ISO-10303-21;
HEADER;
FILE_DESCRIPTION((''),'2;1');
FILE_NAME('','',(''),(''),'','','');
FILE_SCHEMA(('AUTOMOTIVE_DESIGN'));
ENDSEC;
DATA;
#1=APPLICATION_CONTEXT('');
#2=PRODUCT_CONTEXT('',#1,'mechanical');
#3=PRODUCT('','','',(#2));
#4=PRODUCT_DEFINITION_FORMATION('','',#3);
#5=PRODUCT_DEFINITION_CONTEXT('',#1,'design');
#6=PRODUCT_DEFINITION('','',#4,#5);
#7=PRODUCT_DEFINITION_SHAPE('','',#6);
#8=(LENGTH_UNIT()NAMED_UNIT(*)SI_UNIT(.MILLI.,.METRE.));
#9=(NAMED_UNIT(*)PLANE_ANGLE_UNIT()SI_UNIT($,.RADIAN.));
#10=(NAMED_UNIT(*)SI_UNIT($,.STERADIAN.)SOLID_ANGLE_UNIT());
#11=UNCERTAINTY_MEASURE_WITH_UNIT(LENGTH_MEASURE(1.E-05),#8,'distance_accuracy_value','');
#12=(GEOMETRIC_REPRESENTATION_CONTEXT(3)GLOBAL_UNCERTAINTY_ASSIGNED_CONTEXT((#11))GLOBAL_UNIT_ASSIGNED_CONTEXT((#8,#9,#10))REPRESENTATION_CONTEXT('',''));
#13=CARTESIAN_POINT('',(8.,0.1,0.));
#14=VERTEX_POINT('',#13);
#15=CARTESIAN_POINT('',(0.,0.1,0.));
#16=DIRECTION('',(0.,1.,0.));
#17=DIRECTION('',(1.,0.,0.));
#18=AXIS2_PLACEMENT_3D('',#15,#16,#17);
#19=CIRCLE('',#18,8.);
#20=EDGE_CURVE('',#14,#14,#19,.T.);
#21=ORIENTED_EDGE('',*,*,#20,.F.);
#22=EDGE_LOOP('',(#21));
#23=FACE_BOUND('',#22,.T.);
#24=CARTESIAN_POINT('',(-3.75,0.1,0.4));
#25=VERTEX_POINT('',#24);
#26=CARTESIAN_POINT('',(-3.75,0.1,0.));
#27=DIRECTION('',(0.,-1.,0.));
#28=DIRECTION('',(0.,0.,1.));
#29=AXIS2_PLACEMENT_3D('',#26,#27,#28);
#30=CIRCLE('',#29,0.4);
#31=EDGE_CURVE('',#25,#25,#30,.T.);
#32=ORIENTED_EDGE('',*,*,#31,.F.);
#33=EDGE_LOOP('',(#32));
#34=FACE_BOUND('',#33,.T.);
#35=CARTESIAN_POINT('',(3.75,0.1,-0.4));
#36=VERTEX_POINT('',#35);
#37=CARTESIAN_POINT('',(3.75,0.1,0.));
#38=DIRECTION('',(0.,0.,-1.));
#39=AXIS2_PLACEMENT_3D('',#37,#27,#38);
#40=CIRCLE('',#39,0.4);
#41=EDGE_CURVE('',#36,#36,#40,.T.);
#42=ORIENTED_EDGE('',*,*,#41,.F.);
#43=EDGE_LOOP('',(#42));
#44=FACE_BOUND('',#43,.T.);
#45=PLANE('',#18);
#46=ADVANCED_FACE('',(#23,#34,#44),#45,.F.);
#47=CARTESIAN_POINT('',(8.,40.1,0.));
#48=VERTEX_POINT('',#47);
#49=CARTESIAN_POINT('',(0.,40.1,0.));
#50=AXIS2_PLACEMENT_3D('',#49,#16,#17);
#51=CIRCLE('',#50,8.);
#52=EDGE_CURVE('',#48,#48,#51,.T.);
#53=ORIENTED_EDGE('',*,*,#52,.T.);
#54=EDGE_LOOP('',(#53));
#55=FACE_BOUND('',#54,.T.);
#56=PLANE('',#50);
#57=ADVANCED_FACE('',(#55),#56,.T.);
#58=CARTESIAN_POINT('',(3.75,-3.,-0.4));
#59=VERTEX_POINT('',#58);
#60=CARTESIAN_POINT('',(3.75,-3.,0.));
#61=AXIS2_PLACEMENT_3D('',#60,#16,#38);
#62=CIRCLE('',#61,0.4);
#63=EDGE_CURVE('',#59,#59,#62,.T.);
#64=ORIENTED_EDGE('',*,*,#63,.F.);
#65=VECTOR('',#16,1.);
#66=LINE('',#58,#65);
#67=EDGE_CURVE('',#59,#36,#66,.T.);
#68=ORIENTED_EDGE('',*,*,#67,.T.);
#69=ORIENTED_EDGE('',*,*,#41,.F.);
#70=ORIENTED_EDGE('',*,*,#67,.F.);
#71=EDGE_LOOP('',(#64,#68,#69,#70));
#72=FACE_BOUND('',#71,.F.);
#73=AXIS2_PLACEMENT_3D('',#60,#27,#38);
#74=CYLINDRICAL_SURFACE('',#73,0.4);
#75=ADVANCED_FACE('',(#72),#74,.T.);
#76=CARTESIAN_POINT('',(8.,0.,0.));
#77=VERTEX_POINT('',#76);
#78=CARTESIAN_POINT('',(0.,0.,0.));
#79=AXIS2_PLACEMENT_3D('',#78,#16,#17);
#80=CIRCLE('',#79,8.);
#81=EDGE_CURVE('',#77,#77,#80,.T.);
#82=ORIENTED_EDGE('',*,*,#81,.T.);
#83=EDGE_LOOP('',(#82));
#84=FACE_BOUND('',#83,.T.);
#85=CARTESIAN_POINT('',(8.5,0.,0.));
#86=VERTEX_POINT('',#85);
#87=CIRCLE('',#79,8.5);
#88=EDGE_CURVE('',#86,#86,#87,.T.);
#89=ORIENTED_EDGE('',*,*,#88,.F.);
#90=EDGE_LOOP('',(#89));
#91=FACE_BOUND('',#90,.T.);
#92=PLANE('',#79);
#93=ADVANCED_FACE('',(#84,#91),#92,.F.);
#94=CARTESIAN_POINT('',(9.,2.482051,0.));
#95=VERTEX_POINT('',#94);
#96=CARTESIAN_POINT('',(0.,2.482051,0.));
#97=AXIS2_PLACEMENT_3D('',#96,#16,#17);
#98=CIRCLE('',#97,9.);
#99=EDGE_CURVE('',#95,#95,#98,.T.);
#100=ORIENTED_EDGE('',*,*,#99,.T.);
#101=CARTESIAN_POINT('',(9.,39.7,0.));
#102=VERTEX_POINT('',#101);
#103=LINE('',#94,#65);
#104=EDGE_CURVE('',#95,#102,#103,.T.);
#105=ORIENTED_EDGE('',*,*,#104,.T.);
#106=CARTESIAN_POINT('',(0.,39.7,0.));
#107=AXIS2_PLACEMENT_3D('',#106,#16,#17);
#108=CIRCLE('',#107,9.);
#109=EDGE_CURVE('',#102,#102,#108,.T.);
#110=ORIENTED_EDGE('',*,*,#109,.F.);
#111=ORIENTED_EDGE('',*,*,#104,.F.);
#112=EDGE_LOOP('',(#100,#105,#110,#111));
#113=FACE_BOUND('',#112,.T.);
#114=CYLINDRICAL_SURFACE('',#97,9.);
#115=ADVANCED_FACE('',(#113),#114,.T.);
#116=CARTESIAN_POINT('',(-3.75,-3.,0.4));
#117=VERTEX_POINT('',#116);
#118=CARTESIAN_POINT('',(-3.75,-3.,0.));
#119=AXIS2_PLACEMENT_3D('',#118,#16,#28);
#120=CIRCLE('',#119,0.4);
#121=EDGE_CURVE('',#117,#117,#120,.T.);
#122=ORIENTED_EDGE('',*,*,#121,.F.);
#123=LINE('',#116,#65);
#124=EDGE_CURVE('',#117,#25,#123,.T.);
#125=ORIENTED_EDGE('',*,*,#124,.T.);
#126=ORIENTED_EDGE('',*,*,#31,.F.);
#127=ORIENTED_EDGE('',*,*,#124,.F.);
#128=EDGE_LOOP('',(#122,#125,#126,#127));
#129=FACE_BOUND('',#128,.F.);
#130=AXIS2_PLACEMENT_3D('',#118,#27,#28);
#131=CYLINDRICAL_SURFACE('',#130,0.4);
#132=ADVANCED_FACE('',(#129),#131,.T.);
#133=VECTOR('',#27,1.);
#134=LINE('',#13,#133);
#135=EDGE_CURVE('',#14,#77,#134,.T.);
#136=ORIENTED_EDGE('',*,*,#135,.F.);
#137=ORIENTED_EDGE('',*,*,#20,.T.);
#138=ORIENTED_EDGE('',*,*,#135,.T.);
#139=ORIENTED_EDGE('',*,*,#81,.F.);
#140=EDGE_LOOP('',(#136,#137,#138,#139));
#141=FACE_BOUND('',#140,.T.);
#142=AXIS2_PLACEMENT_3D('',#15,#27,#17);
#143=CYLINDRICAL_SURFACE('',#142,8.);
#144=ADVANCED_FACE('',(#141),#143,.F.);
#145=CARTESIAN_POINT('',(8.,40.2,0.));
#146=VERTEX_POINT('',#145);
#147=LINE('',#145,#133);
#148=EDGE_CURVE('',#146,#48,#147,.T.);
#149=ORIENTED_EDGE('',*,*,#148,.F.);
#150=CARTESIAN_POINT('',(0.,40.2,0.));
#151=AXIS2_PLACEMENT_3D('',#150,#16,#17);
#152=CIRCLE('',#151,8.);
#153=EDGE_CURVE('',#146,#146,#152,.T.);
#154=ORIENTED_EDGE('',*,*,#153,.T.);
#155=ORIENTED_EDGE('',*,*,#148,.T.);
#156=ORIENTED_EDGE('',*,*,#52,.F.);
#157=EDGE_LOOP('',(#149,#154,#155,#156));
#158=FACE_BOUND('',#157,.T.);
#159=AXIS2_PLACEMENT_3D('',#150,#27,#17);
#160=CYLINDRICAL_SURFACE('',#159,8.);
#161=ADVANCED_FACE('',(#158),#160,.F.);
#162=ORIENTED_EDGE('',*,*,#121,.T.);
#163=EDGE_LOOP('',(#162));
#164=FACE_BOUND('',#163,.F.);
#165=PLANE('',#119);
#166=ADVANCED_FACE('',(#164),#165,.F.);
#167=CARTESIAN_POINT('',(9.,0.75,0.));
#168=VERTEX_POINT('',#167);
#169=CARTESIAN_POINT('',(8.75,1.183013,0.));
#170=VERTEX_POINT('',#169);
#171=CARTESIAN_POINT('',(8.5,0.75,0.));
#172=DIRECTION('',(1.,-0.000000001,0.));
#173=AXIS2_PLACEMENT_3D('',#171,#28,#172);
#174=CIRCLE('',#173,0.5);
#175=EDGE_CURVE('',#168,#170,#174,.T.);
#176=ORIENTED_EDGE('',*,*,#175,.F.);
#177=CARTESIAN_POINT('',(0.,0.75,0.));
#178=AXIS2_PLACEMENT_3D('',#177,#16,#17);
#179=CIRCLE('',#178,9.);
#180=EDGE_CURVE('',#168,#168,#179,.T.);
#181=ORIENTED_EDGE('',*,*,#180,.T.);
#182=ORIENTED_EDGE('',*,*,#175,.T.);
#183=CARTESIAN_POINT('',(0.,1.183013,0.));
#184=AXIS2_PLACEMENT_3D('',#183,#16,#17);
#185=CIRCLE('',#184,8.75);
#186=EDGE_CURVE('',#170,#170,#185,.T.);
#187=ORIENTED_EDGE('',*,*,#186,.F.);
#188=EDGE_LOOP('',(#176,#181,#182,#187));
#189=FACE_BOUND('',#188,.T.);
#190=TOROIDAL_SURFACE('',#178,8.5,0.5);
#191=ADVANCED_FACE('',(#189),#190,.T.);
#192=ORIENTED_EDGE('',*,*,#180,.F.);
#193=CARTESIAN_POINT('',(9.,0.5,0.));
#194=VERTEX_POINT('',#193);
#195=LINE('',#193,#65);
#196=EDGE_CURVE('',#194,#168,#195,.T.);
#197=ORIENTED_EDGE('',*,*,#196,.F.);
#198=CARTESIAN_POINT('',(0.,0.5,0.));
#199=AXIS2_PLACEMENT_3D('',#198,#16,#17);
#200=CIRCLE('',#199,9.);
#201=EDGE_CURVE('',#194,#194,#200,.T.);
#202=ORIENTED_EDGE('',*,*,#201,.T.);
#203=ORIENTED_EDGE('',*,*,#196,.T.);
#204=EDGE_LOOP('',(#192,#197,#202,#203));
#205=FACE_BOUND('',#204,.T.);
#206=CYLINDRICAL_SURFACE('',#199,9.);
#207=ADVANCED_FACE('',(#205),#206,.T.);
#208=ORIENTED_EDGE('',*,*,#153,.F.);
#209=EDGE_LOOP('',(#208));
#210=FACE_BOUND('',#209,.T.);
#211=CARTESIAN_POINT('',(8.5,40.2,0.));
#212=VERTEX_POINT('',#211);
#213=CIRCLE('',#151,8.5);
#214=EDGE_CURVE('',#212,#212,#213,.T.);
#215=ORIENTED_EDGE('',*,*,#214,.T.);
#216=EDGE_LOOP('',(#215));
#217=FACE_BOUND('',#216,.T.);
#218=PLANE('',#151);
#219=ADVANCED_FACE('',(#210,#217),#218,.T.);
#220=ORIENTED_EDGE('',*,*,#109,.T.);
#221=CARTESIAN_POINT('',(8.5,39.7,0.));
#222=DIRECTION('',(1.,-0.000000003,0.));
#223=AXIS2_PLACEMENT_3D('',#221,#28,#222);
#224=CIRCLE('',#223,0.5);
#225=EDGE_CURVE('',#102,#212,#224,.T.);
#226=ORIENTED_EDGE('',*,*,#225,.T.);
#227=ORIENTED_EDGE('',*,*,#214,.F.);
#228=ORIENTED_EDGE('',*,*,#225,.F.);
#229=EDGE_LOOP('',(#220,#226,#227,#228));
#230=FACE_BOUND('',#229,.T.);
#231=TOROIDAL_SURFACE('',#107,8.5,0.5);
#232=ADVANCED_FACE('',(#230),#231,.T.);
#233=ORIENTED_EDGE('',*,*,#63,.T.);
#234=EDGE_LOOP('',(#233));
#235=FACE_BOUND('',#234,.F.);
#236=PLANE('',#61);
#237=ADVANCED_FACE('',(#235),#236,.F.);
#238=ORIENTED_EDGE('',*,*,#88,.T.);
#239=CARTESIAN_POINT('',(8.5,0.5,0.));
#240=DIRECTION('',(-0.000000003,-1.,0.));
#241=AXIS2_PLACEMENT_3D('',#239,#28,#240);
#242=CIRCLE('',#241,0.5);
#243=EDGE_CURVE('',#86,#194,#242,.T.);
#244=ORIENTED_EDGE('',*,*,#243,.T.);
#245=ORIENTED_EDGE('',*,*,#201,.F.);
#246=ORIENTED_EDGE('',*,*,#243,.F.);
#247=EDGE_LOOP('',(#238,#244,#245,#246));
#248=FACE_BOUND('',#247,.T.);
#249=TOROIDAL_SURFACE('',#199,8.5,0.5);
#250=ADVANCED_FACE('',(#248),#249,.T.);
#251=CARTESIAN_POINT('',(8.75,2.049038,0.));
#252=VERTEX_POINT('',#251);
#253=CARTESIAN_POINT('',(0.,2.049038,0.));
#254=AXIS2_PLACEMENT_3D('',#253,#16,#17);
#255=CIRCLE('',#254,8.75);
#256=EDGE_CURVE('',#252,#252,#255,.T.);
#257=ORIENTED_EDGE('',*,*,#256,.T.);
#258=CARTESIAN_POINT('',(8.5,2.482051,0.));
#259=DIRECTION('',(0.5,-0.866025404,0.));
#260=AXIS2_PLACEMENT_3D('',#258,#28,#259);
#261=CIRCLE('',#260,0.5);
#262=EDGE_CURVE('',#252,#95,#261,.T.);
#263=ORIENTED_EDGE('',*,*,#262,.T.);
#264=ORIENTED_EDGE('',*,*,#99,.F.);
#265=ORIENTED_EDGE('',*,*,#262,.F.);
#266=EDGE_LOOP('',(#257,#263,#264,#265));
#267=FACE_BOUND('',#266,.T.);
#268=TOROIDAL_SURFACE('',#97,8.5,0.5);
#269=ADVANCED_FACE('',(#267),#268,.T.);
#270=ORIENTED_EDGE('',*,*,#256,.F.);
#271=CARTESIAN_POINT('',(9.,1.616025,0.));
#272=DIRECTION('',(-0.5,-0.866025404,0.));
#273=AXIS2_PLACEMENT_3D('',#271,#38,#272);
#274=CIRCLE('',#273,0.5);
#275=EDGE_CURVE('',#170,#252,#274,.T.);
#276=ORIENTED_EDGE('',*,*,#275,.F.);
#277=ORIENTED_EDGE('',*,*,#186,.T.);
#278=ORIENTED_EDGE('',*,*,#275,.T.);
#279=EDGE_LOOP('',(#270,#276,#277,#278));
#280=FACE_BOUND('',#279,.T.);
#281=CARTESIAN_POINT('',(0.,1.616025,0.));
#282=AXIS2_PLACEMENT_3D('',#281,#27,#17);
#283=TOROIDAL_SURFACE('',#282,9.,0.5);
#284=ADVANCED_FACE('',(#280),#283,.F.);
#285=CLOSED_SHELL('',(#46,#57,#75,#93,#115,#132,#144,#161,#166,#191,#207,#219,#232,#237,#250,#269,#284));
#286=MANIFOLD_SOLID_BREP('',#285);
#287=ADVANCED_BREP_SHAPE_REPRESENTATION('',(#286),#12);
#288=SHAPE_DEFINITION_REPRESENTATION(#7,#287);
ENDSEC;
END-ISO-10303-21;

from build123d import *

# Parameters (mm, degrees)
BOSS_EXTRUDE1_DEPTH        = 1
BOSS_EXTRUDE1_DEPTH_BACK   = 3
SKETCH1_R                  = 0.4
BOSS_EXTRUDE1_2_DEPTH      = 1
BOSS_EXTRUDE1_2_DEPTH_BACK = 3


with BuildPart() as part:
    # Sketch1 → Boss-Extrude1 (new, two sides: drawn at the far end of the back side and taken through both)
    with BuildSketch(Plane(origin=(0, 0, 0), x_dir=(1, 0, 0), z_dir=(0, 1, 0)).offset(-BOSS_EXTRUDE1_DEPTH_BACK)):
        with Locations(Location((-3.75, 0, 0), (0, 0, 270))):
            Circle(SKETCH1_R)
    extrude(amount=BOSS_EXTRUDE1_DEPTH + BOSS_EXTRUDE1_DEPTH_BACK)



with BuildPart() as body_2:
    # Sketch1 → Boss-Extrude1 2 (new, two sides: drawn at the far end of the back side and taken through both)
    with BuildSketch(Plane(origin=(0, 0, 0), x_dir=(1, 0, 0), z_dir=(0, 1, 0)).offset(-BOSS_EXTRUDE1_2_DEPTH_BACK)):
        with Locations(Location((3.75, 0, 0), (0, 0, 90))):
            Circle(SKETCH1_R)
    extrude(amount=BOSS_EXTRUDE1_2_DEPTH + BOSS_EXTRUDE1_2_DEPTH_BACK)


with BuildPart() as part_1:
    add(part.part)

    add(body_2.part)  # Revolve1 merges body 2
    # Sketch3 → Revolve1 (revolve)
    with BuildSketch(Plane.XY):
        with BuildLine():
            Line((9, 0.5), (9, 0.75))
            ThreePointArc((9, 0.75), (8.933012702, 1), (8.75, 1.183012702))
            ThreePointArc((8.75, 1.183012702), (8.5, 1.616025404), (8.75, 2.049038106))
            ThreePointArc((8.75, 2.049038106), (8.933012702, 2.232050808), (9, 2.482050808))
            Line((9, 2.482050808), (9, 39.7))
            ThreePointArc((9, 39.7), (8.853553391, 40.053553391), (8.5, 40.2))
            Line((8.5, 40.2), (8, 40.2))
            Line((8, 40.2), (8, 40.1))
            Line((8, 40.1), (0, 40.1))
            Line((0, 40.1), (0, 0.1))
            Line((0, 0.1), (8, 0.1))
            Line((8, 0.1), (8, 0))
            Line((8, 0), (8.5, 0))
            ThreePointArc((8.5, 0), (8.853553391, 0.146446609), (9, 0.5))
        make_face()
    revolve(axis=Axis((0, 0.1, 0), (0, 1, 0)))


solid = part_1.part
